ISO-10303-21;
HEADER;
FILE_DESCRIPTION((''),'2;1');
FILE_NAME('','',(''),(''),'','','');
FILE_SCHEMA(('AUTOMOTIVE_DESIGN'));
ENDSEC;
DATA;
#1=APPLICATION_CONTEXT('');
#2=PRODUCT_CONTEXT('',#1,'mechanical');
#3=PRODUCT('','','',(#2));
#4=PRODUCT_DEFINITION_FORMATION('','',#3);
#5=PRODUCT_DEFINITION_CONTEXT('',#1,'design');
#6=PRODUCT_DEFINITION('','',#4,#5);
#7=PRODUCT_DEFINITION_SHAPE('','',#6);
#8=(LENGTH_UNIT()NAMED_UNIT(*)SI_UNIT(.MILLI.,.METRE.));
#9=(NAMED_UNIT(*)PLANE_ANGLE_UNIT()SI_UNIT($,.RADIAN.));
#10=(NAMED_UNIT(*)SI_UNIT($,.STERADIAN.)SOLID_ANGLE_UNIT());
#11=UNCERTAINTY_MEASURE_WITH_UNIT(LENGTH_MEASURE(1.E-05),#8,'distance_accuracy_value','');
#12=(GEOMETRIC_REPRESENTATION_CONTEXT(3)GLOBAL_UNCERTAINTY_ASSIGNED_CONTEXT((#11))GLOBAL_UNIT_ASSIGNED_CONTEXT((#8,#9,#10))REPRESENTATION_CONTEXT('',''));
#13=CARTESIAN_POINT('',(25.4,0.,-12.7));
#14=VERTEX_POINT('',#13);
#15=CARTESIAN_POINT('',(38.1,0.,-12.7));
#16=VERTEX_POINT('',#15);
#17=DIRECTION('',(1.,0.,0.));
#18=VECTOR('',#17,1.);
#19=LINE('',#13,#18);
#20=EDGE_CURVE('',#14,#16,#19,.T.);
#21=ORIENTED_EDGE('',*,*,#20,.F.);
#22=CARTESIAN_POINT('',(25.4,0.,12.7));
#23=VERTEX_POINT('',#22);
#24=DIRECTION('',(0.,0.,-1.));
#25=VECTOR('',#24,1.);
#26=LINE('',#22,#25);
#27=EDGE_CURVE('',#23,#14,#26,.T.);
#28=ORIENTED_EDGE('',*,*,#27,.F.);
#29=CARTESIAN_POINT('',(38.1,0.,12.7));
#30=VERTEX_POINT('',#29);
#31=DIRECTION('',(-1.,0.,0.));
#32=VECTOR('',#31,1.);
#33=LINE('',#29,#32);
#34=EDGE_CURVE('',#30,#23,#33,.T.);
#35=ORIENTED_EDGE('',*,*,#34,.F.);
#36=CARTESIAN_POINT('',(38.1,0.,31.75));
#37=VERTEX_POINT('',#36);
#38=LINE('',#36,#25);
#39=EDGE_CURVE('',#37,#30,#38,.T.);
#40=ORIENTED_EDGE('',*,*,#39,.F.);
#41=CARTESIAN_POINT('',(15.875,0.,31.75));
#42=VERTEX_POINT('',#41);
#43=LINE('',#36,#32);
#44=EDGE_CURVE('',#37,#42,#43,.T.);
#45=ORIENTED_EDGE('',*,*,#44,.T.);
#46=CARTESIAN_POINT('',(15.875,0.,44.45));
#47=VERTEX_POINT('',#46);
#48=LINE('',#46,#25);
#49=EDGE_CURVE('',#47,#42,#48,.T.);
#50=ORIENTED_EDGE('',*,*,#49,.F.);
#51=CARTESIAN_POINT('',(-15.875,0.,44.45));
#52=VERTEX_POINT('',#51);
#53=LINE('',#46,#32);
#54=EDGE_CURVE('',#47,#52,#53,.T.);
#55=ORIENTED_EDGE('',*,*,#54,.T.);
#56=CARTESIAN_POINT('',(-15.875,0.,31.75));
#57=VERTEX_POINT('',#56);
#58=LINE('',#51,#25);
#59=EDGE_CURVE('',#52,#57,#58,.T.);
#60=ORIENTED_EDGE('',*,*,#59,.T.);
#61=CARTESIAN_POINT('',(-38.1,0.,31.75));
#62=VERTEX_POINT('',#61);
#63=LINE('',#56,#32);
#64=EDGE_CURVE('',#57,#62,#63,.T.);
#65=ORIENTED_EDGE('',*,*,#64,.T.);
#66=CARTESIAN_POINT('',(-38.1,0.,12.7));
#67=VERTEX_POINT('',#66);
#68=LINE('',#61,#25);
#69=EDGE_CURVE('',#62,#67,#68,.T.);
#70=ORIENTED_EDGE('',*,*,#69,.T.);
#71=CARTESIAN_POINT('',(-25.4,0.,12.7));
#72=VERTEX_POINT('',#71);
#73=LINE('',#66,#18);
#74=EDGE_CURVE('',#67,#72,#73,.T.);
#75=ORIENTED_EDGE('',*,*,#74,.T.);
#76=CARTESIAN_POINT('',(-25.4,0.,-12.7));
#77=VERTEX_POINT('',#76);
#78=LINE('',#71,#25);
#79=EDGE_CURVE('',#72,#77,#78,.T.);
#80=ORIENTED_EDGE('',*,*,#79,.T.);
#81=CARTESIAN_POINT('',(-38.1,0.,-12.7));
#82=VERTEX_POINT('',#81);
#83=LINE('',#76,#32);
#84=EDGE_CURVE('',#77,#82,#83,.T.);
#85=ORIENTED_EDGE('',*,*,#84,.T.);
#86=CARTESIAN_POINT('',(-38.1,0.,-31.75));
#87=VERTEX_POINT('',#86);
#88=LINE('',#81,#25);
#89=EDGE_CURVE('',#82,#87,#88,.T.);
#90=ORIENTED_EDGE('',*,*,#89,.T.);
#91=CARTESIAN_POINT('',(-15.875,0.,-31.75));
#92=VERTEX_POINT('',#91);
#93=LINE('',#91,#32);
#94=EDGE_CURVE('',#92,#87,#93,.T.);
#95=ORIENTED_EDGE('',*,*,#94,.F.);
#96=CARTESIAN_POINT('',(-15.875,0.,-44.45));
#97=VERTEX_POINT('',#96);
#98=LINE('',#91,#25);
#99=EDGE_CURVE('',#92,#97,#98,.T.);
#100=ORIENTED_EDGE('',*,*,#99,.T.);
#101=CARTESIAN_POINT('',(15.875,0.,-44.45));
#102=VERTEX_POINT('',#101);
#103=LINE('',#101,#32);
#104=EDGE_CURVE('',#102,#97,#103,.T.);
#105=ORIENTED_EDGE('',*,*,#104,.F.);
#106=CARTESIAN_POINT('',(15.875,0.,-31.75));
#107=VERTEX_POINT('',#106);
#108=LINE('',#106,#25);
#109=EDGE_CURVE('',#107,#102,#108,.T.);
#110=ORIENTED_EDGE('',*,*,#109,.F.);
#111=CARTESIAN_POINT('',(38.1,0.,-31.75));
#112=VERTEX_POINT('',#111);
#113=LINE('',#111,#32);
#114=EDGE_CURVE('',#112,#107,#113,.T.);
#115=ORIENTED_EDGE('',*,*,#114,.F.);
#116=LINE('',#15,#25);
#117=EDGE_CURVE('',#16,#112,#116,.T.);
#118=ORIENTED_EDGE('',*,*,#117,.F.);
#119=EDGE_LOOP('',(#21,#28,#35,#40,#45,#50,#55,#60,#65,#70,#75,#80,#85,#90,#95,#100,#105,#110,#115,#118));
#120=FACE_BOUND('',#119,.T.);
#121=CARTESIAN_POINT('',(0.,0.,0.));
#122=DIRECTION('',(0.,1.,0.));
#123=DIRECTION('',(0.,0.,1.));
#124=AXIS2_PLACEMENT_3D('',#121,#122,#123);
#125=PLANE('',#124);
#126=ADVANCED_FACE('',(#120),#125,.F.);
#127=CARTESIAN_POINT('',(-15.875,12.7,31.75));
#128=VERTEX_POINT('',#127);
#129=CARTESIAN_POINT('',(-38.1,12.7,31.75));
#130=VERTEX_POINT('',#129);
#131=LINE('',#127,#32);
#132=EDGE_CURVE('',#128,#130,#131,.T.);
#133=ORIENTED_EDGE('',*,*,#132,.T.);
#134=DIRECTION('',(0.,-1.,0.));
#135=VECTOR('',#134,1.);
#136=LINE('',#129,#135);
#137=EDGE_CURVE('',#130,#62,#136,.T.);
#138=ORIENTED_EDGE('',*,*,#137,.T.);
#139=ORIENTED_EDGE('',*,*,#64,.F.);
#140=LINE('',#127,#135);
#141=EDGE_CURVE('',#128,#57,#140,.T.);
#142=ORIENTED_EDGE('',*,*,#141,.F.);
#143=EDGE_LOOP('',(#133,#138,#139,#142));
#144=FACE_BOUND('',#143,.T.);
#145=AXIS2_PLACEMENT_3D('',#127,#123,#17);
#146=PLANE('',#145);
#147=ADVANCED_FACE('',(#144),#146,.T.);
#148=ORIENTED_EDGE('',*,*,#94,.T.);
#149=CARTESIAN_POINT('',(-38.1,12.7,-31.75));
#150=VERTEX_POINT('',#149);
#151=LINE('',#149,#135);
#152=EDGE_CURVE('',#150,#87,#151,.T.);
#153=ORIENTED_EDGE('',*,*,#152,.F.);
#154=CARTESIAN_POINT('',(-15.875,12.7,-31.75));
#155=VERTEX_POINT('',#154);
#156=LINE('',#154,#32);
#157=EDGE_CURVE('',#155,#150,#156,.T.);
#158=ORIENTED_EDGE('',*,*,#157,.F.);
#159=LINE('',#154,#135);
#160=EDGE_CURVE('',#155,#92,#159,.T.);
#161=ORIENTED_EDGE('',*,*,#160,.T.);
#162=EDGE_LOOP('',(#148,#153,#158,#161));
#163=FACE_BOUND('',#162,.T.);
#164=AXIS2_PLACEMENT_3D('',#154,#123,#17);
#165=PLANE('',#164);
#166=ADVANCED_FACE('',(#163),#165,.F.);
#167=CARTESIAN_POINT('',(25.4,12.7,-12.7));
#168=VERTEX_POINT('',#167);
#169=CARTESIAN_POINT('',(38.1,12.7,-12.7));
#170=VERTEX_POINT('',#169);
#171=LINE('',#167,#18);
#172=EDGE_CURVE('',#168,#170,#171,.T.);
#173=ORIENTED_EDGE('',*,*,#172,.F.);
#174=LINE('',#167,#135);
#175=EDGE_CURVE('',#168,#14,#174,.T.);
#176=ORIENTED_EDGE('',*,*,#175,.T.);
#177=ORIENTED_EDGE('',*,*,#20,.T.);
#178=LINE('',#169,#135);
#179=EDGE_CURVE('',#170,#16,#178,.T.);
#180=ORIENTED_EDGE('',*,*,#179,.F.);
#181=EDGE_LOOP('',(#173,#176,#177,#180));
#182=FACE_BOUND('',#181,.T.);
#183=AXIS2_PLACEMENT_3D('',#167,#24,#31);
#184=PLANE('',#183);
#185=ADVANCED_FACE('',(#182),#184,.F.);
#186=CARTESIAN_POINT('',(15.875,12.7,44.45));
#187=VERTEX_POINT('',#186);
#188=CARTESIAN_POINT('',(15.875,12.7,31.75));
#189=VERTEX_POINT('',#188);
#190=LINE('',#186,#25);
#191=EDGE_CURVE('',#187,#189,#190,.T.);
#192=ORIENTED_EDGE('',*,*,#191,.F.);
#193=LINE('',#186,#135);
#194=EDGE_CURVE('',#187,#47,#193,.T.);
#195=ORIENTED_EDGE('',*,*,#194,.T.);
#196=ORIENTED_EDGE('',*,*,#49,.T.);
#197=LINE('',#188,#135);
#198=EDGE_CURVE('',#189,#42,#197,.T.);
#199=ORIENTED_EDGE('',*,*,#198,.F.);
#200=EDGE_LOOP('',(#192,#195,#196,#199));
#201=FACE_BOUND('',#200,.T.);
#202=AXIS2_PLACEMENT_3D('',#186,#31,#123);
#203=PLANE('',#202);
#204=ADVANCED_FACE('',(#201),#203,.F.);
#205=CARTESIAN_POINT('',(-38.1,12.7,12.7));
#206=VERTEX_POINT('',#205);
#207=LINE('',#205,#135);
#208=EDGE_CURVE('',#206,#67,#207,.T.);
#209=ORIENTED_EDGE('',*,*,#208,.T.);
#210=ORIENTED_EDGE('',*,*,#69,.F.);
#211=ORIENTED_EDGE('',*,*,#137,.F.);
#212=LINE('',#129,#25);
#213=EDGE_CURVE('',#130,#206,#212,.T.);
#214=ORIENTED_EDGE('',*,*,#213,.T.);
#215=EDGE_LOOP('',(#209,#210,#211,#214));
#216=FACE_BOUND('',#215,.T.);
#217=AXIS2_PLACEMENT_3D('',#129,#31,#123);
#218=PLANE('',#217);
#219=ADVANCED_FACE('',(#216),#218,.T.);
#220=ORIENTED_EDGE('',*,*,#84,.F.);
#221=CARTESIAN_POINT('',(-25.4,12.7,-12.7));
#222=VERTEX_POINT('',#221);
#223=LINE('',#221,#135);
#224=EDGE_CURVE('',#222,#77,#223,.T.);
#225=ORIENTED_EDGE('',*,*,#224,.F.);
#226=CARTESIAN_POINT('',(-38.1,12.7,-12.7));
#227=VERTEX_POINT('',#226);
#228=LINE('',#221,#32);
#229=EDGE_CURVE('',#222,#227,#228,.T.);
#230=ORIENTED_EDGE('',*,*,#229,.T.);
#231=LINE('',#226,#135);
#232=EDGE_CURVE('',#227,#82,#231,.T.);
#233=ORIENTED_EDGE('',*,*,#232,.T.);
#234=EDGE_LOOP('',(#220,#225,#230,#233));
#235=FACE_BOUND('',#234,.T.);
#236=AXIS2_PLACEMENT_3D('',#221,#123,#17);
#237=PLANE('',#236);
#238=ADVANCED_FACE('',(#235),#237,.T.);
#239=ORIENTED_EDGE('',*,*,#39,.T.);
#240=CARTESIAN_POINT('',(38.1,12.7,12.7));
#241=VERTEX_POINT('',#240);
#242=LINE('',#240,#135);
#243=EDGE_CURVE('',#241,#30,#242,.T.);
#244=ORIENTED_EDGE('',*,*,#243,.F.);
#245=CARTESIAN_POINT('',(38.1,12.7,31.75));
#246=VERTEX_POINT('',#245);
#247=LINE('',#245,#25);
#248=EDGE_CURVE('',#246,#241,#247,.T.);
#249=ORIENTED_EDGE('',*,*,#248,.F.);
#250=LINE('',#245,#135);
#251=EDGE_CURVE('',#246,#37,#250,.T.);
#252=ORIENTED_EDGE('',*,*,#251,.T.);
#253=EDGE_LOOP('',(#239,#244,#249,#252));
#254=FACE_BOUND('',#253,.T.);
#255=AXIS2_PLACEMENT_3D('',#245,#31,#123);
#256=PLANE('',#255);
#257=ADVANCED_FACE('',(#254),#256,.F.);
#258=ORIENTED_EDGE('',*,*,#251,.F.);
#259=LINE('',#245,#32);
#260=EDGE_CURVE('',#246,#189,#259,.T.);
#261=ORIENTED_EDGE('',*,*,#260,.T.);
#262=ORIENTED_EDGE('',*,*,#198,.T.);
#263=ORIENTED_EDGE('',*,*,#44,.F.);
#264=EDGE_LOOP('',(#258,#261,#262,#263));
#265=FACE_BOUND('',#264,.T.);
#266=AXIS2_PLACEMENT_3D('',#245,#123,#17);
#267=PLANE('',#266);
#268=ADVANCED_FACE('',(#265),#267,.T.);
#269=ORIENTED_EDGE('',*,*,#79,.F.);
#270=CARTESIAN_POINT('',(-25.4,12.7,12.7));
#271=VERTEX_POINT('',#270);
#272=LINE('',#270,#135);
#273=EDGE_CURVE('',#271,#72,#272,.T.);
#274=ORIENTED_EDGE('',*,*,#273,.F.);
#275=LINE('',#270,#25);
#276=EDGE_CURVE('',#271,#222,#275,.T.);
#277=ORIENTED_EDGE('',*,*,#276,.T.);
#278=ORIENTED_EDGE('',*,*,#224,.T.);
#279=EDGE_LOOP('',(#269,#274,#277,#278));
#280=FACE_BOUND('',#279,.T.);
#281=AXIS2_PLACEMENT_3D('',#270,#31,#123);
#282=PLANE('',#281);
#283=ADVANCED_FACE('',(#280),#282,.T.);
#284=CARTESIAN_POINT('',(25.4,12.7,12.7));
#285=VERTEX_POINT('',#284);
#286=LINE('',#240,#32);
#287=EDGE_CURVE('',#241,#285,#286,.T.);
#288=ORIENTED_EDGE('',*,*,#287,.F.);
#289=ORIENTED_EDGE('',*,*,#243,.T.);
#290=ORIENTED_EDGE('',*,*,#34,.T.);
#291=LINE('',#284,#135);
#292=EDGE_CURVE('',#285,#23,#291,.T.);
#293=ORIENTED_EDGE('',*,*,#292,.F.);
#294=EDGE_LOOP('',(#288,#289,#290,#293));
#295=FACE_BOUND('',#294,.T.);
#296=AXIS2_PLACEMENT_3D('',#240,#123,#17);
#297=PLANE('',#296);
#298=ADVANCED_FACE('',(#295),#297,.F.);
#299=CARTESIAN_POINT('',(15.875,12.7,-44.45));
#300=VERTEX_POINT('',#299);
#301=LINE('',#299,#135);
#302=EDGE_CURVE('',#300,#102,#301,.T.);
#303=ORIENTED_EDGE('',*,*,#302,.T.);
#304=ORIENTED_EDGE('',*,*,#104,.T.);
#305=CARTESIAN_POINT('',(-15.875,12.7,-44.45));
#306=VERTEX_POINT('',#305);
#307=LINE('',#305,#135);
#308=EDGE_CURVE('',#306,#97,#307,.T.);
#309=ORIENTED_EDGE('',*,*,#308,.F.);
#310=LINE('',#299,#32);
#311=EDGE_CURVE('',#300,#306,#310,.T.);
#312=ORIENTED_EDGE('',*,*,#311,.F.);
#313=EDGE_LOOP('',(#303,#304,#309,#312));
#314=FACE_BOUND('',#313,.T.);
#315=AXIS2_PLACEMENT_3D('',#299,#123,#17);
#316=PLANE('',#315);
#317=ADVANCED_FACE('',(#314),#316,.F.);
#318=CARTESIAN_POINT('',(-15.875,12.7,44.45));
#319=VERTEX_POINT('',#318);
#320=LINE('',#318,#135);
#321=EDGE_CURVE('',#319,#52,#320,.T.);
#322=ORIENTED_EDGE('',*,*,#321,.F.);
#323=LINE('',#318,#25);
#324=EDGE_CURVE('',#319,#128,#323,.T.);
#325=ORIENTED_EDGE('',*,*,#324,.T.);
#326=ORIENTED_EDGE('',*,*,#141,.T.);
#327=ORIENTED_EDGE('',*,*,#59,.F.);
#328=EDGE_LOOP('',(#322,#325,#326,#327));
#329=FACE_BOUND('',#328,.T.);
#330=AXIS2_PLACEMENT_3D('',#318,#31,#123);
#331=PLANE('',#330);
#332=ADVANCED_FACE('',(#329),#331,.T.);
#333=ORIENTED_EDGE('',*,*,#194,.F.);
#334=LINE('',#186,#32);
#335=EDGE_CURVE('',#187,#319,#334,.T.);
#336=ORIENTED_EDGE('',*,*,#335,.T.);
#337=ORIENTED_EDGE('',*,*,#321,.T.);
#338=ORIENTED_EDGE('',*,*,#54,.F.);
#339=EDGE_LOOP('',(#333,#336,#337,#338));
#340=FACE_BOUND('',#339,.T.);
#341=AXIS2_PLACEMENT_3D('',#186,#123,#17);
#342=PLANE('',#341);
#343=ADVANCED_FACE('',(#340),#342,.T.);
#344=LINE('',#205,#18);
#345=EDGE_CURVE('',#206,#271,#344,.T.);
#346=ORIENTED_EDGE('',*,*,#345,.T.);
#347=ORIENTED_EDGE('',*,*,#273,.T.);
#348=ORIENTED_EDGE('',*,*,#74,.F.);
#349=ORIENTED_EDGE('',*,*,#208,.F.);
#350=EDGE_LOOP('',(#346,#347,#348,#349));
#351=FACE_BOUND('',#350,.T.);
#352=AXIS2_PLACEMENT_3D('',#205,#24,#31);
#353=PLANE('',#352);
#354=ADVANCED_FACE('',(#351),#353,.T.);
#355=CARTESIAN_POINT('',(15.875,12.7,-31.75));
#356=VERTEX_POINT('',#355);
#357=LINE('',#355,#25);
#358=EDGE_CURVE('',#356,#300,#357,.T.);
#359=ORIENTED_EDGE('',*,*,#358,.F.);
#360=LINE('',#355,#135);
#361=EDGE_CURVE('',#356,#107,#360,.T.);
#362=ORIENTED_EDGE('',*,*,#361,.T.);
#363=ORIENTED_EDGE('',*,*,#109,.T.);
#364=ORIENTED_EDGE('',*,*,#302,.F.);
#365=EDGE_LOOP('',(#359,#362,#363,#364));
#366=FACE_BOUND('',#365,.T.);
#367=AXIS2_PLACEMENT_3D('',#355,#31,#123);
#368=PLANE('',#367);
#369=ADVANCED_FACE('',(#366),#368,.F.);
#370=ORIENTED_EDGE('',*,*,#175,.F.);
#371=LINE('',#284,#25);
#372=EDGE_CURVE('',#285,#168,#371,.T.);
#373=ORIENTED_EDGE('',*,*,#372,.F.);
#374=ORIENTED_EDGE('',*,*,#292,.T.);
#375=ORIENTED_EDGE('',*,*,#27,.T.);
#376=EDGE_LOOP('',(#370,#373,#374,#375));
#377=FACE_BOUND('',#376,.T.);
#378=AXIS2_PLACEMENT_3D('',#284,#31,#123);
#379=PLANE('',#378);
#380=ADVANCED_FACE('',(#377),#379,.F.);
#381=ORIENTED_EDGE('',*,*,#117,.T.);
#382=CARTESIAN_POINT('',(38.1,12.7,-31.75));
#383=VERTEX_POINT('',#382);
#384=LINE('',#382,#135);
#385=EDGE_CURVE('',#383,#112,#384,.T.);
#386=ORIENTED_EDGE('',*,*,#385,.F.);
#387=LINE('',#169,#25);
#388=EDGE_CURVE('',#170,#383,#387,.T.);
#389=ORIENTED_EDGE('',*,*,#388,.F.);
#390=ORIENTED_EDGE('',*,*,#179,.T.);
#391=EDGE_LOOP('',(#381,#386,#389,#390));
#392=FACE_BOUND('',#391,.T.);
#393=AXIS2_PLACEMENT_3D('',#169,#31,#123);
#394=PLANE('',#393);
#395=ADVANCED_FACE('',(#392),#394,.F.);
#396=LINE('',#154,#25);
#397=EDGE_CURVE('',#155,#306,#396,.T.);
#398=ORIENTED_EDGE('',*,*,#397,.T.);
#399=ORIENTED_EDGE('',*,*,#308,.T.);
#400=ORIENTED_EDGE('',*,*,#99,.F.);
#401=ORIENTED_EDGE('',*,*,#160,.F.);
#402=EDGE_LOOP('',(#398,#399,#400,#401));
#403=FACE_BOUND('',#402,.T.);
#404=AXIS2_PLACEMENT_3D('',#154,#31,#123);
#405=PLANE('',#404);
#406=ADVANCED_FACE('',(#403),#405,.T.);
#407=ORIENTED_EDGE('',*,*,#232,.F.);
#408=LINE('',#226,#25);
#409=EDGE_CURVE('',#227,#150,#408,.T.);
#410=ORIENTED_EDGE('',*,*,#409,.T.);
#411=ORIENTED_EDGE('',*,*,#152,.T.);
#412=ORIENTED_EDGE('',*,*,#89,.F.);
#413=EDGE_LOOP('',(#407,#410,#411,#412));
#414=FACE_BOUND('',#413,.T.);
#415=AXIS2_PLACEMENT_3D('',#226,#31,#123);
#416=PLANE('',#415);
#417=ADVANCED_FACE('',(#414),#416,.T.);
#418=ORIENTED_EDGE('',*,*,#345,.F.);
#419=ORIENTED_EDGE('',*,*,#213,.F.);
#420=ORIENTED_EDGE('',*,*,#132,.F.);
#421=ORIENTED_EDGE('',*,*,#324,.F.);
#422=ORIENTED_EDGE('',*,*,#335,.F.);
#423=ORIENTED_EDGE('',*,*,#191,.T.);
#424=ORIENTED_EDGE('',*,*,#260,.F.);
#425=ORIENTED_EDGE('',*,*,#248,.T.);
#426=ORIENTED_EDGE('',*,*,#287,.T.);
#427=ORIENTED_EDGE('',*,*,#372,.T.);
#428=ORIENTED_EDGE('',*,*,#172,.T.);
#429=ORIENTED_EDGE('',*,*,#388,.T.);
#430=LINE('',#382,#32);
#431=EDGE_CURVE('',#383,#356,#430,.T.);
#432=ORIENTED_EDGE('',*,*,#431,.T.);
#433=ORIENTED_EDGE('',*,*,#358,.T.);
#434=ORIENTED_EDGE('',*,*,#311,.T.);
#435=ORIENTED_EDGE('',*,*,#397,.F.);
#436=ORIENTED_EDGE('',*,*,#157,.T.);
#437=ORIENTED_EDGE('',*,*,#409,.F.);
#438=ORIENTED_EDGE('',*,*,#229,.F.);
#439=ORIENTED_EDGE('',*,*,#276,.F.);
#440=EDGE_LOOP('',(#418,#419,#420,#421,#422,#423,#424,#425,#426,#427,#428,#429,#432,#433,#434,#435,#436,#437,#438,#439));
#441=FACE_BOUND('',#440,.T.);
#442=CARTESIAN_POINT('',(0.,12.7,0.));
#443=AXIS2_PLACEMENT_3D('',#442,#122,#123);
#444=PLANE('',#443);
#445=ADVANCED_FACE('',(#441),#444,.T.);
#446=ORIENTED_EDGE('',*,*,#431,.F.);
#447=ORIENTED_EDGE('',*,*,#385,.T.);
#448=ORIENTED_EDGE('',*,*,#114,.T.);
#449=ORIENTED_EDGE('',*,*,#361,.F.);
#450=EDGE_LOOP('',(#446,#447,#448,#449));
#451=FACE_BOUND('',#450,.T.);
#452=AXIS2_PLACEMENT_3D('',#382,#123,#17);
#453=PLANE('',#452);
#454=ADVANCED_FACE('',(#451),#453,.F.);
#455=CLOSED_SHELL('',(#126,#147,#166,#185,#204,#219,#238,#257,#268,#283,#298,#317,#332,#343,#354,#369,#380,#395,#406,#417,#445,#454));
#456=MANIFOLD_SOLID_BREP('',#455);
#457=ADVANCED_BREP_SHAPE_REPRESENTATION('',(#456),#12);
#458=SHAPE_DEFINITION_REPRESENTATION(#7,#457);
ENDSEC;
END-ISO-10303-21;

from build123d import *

# Parameters (mm, degrees)
BOSS_EXTRUDE1_DEPTH = 12.7


with BuildPart() as part:
    # Sketch1 → Boss-Extrude1 (new body)
    with BuildSketch(Plane(origin=(0, 0, 0), x_dir=(1, 0, 0), z_dir=(0, 1, 0))):
        Polygon((-15.875, -31.75), (-38.1, -31.75), (-38.1, -12.7), (-25.4, -12.7), (-25.4, 12.7), (-38.1, 12.7), (-38.1, 31.75), (-15.875, 31.75), (-15.875, 44.45), (15.875, 44.45), (15.875, 31.75), (38.1, 31.75), (38.1, 12.7), (25.4, 12.7), (25.4, -12.7), (38.1, -12.7), (38.1, -31.75), (15.875, -31.75), (15.875, -44.45), (-15.875, -44.45), align=None)
    extrude(amount=BOSS_EXTRUDE1_DEPTH)


solid = part.part
